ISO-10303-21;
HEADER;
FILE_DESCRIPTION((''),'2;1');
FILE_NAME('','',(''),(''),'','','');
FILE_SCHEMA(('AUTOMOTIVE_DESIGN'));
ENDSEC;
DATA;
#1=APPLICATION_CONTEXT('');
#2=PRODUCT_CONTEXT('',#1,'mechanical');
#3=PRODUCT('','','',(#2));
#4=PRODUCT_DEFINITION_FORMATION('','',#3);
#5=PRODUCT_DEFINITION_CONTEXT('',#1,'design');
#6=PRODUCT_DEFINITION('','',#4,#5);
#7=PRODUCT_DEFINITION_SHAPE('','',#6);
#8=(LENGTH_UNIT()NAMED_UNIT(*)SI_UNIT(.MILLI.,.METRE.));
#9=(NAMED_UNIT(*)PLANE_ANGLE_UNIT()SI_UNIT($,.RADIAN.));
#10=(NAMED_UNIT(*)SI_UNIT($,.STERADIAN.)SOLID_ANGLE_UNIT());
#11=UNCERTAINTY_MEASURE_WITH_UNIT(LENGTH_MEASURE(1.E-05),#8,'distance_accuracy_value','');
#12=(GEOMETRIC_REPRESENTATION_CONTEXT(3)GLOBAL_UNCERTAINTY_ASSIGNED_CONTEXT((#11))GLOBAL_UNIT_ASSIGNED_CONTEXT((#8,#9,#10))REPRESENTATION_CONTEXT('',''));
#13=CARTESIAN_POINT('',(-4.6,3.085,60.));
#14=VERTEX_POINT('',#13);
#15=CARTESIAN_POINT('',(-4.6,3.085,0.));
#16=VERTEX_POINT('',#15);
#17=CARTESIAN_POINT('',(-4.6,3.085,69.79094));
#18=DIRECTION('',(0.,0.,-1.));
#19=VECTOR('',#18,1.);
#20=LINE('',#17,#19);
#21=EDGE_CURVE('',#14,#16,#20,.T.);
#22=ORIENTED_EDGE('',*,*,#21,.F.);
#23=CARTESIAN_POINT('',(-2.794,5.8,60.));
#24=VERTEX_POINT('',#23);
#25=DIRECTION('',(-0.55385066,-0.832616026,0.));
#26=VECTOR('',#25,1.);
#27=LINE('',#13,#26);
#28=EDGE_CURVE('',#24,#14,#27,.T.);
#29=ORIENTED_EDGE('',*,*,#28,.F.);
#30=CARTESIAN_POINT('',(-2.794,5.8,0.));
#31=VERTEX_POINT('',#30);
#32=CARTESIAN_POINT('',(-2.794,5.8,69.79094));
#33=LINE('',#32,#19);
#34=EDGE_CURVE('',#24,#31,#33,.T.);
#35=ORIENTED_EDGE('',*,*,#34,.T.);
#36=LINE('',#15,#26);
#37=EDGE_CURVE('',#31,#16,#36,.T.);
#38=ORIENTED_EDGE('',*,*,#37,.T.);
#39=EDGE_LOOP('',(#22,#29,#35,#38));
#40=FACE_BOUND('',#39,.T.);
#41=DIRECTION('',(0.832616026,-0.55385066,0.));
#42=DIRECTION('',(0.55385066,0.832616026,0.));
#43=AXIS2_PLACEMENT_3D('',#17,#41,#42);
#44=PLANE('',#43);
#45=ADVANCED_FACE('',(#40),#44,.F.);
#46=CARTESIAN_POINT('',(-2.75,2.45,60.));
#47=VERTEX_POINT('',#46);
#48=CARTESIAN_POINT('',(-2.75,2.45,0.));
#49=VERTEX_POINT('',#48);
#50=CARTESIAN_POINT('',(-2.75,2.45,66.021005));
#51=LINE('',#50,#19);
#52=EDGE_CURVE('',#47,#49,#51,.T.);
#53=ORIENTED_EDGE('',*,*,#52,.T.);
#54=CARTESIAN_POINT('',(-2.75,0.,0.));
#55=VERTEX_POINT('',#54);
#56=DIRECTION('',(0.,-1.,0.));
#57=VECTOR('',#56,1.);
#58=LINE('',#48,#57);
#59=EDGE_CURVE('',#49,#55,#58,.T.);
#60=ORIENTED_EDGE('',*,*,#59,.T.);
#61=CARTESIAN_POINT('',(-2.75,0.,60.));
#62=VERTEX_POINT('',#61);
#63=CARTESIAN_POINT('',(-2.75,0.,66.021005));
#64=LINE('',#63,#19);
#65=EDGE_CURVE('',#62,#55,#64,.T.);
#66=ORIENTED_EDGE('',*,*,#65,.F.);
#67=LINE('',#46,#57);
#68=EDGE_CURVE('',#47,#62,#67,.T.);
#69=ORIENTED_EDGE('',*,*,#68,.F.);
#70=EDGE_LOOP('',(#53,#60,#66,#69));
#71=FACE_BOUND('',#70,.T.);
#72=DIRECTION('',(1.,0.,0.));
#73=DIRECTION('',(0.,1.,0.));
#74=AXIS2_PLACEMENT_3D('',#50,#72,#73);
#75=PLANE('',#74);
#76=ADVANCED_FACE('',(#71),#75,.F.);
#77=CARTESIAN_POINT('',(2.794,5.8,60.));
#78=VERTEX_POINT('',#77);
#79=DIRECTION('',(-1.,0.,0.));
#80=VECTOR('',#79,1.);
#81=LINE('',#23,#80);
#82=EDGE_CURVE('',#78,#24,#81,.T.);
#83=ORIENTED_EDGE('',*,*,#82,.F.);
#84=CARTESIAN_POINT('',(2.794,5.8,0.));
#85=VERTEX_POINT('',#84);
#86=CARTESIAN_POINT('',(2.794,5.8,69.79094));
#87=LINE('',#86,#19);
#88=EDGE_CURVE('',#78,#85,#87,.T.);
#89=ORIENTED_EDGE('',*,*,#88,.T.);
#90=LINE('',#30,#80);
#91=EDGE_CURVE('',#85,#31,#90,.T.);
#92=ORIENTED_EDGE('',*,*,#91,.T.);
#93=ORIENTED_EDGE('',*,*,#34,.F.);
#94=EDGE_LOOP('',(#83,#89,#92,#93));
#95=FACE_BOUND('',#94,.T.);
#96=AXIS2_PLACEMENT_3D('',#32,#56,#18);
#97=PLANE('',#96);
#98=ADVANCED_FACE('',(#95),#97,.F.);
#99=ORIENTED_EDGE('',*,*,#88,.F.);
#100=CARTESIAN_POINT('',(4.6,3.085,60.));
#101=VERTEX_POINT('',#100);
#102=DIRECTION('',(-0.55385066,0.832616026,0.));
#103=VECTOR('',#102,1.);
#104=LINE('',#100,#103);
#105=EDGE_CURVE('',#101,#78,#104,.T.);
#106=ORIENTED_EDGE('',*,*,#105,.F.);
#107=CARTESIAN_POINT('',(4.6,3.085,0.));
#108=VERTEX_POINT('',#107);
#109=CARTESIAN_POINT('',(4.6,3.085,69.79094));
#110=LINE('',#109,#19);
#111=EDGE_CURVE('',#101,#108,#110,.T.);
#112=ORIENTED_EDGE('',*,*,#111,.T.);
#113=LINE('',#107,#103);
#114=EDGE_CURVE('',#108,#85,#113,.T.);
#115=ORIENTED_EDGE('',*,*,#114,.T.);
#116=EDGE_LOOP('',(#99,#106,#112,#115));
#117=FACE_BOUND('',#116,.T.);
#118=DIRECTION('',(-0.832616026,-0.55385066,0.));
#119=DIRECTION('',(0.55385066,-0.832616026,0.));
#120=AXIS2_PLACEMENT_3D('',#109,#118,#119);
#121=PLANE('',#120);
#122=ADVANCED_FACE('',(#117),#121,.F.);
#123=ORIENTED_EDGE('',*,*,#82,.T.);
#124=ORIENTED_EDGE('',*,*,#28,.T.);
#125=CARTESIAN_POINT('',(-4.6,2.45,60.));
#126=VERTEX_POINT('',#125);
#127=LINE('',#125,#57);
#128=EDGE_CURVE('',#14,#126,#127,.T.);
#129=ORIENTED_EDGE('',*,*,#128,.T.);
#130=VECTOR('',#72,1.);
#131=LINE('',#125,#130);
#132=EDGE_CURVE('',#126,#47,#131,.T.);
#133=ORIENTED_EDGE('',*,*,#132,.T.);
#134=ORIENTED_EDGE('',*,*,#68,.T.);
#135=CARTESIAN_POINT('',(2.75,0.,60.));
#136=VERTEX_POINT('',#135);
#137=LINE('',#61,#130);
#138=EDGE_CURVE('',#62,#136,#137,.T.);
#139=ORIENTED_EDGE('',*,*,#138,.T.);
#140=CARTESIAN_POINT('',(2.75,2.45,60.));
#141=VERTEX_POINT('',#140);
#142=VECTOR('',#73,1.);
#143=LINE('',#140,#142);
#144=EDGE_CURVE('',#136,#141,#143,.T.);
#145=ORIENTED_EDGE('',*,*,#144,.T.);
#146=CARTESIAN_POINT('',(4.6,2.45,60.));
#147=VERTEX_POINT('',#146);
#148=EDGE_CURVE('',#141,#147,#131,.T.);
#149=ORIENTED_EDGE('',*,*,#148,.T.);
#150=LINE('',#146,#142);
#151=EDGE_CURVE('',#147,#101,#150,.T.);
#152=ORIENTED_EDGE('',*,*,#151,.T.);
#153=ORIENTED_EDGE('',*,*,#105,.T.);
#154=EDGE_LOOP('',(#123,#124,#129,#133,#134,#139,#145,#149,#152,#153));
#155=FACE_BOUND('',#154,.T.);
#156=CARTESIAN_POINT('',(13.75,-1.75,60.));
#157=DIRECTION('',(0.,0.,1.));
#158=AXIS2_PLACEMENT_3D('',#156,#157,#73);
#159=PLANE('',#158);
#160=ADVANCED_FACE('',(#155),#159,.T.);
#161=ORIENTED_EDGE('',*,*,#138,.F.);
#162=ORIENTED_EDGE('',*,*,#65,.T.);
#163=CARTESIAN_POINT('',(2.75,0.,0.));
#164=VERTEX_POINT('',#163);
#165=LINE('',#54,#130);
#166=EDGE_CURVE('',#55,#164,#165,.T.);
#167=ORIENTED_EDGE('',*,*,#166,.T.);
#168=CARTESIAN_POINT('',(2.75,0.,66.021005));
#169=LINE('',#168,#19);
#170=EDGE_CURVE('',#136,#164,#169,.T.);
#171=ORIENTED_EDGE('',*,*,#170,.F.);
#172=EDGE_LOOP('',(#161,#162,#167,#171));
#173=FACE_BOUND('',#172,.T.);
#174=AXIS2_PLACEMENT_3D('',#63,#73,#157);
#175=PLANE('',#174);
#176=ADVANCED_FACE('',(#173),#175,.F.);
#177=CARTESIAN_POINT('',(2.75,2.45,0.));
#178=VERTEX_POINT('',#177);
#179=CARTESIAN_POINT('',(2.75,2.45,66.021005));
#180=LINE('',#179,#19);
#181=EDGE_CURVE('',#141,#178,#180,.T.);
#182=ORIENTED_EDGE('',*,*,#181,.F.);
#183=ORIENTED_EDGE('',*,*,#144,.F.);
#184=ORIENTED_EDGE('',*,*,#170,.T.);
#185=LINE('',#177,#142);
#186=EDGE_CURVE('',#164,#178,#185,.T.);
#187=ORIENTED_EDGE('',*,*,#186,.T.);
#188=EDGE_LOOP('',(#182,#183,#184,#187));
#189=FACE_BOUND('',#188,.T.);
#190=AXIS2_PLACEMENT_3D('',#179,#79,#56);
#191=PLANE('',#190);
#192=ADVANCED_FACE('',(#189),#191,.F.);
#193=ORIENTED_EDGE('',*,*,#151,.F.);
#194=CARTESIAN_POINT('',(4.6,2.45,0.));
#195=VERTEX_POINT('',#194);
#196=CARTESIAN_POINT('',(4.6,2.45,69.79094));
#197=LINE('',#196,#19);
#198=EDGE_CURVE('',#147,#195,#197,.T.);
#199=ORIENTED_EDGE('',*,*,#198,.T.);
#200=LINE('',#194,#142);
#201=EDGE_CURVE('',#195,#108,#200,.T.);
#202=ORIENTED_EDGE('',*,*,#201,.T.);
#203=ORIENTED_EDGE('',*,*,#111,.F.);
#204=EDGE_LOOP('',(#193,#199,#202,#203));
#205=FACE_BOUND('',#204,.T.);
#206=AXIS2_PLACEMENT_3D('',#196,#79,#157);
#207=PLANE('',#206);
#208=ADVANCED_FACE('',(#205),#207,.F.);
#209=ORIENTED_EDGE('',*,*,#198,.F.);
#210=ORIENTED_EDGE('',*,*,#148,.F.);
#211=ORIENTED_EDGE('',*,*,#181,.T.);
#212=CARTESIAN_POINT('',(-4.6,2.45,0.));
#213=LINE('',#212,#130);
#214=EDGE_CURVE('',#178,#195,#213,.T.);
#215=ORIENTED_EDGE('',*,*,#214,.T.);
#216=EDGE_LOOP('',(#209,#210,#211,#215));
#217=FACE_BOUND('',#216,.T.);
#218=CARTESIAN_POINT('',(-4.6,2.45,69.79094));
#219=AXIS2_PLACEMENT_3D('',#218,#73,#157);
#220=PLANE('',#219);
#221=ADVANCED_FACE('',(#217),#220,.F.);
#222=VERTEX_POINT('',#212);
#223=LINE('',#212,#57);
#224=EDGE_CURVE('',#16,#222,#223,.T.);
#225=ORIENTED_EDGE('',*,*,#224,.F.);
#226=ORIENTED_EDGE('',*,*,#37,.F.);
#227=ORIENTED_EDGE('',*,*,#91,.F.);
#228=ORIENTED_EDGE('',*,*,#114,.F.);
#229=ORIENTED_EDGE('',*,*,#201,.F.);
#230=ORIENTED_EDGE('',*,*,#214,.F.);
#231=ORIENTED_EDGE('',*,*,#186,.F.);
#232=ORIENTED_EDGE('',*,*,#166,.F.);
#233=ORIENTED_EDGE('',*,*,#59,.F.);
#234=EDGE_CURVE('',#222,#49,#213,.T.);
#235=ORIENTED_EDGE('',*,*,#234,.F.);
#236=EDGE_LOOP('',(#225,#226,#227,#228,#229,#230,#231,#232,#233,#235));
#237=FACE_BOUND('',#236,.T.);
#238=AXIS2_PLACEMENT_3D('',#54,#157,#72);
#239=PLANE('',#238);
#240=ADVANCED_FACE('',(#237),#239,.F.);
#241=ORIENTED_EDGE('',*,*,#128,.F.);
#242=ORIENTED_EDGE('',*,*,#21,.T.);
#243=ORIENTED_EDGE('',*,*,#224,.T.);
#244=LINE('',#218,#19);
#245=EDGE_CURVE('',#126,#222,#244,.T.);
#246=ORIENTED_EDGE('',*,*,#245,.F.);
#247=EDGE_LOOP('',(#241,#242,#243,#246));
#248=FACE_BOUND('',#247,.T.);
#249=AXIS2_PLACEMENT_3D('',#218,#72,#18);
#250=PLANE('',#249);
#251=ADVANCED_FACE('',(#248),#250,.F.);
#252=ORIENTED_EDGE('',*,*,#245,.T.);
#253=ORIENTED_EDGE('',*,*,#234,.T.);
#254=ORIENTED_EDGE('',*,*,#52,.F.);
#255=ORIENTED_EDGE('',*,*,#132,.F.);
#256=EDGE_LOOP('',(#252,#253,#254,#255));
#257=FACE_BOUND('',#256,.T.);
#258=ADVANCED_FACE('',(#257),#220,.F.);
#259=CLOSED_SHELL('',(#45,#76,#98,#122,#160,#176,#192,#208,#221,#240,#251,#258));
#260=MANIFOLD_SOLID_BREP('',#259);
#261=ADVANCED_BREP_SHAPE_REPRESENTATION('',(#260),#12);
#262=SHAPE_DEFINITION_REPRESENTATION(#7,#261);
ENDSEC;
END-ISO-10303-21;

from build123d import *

# Parameters (mm, degrees)
SKETCH1_W           = 5.5
SKETCH1_H           = 2.45
BOSS_EXTRUDE1_DEPTH = 60
BOSS_EXTRUDE2_DEPTH = 60


with BuildPart() as part:
    # Sketch1 → Boss-Extrude1 (new body)
    with BuildSketch(Plane.XY):
        with Locations((0, 1.225)):
            Rectangle(SKETCH1_W, SKETCH1_H)
    extrude(amount=BOSS_EXTRUDE1_DEPTH)

    # Sketch2 → Boss-Extrude2 (add)
    with BuildSketch(Plane.XY):
        Polygon((-4.6, 2.45), (4.6, 2.45), (4.6, 3.085), (2.794, 5.8), (-2.794, 5.8), (-4.6, 3.085), align=None)
    extrude(amount=BOSS_EXTRUDE2_DEPTH)


solid = part.part
